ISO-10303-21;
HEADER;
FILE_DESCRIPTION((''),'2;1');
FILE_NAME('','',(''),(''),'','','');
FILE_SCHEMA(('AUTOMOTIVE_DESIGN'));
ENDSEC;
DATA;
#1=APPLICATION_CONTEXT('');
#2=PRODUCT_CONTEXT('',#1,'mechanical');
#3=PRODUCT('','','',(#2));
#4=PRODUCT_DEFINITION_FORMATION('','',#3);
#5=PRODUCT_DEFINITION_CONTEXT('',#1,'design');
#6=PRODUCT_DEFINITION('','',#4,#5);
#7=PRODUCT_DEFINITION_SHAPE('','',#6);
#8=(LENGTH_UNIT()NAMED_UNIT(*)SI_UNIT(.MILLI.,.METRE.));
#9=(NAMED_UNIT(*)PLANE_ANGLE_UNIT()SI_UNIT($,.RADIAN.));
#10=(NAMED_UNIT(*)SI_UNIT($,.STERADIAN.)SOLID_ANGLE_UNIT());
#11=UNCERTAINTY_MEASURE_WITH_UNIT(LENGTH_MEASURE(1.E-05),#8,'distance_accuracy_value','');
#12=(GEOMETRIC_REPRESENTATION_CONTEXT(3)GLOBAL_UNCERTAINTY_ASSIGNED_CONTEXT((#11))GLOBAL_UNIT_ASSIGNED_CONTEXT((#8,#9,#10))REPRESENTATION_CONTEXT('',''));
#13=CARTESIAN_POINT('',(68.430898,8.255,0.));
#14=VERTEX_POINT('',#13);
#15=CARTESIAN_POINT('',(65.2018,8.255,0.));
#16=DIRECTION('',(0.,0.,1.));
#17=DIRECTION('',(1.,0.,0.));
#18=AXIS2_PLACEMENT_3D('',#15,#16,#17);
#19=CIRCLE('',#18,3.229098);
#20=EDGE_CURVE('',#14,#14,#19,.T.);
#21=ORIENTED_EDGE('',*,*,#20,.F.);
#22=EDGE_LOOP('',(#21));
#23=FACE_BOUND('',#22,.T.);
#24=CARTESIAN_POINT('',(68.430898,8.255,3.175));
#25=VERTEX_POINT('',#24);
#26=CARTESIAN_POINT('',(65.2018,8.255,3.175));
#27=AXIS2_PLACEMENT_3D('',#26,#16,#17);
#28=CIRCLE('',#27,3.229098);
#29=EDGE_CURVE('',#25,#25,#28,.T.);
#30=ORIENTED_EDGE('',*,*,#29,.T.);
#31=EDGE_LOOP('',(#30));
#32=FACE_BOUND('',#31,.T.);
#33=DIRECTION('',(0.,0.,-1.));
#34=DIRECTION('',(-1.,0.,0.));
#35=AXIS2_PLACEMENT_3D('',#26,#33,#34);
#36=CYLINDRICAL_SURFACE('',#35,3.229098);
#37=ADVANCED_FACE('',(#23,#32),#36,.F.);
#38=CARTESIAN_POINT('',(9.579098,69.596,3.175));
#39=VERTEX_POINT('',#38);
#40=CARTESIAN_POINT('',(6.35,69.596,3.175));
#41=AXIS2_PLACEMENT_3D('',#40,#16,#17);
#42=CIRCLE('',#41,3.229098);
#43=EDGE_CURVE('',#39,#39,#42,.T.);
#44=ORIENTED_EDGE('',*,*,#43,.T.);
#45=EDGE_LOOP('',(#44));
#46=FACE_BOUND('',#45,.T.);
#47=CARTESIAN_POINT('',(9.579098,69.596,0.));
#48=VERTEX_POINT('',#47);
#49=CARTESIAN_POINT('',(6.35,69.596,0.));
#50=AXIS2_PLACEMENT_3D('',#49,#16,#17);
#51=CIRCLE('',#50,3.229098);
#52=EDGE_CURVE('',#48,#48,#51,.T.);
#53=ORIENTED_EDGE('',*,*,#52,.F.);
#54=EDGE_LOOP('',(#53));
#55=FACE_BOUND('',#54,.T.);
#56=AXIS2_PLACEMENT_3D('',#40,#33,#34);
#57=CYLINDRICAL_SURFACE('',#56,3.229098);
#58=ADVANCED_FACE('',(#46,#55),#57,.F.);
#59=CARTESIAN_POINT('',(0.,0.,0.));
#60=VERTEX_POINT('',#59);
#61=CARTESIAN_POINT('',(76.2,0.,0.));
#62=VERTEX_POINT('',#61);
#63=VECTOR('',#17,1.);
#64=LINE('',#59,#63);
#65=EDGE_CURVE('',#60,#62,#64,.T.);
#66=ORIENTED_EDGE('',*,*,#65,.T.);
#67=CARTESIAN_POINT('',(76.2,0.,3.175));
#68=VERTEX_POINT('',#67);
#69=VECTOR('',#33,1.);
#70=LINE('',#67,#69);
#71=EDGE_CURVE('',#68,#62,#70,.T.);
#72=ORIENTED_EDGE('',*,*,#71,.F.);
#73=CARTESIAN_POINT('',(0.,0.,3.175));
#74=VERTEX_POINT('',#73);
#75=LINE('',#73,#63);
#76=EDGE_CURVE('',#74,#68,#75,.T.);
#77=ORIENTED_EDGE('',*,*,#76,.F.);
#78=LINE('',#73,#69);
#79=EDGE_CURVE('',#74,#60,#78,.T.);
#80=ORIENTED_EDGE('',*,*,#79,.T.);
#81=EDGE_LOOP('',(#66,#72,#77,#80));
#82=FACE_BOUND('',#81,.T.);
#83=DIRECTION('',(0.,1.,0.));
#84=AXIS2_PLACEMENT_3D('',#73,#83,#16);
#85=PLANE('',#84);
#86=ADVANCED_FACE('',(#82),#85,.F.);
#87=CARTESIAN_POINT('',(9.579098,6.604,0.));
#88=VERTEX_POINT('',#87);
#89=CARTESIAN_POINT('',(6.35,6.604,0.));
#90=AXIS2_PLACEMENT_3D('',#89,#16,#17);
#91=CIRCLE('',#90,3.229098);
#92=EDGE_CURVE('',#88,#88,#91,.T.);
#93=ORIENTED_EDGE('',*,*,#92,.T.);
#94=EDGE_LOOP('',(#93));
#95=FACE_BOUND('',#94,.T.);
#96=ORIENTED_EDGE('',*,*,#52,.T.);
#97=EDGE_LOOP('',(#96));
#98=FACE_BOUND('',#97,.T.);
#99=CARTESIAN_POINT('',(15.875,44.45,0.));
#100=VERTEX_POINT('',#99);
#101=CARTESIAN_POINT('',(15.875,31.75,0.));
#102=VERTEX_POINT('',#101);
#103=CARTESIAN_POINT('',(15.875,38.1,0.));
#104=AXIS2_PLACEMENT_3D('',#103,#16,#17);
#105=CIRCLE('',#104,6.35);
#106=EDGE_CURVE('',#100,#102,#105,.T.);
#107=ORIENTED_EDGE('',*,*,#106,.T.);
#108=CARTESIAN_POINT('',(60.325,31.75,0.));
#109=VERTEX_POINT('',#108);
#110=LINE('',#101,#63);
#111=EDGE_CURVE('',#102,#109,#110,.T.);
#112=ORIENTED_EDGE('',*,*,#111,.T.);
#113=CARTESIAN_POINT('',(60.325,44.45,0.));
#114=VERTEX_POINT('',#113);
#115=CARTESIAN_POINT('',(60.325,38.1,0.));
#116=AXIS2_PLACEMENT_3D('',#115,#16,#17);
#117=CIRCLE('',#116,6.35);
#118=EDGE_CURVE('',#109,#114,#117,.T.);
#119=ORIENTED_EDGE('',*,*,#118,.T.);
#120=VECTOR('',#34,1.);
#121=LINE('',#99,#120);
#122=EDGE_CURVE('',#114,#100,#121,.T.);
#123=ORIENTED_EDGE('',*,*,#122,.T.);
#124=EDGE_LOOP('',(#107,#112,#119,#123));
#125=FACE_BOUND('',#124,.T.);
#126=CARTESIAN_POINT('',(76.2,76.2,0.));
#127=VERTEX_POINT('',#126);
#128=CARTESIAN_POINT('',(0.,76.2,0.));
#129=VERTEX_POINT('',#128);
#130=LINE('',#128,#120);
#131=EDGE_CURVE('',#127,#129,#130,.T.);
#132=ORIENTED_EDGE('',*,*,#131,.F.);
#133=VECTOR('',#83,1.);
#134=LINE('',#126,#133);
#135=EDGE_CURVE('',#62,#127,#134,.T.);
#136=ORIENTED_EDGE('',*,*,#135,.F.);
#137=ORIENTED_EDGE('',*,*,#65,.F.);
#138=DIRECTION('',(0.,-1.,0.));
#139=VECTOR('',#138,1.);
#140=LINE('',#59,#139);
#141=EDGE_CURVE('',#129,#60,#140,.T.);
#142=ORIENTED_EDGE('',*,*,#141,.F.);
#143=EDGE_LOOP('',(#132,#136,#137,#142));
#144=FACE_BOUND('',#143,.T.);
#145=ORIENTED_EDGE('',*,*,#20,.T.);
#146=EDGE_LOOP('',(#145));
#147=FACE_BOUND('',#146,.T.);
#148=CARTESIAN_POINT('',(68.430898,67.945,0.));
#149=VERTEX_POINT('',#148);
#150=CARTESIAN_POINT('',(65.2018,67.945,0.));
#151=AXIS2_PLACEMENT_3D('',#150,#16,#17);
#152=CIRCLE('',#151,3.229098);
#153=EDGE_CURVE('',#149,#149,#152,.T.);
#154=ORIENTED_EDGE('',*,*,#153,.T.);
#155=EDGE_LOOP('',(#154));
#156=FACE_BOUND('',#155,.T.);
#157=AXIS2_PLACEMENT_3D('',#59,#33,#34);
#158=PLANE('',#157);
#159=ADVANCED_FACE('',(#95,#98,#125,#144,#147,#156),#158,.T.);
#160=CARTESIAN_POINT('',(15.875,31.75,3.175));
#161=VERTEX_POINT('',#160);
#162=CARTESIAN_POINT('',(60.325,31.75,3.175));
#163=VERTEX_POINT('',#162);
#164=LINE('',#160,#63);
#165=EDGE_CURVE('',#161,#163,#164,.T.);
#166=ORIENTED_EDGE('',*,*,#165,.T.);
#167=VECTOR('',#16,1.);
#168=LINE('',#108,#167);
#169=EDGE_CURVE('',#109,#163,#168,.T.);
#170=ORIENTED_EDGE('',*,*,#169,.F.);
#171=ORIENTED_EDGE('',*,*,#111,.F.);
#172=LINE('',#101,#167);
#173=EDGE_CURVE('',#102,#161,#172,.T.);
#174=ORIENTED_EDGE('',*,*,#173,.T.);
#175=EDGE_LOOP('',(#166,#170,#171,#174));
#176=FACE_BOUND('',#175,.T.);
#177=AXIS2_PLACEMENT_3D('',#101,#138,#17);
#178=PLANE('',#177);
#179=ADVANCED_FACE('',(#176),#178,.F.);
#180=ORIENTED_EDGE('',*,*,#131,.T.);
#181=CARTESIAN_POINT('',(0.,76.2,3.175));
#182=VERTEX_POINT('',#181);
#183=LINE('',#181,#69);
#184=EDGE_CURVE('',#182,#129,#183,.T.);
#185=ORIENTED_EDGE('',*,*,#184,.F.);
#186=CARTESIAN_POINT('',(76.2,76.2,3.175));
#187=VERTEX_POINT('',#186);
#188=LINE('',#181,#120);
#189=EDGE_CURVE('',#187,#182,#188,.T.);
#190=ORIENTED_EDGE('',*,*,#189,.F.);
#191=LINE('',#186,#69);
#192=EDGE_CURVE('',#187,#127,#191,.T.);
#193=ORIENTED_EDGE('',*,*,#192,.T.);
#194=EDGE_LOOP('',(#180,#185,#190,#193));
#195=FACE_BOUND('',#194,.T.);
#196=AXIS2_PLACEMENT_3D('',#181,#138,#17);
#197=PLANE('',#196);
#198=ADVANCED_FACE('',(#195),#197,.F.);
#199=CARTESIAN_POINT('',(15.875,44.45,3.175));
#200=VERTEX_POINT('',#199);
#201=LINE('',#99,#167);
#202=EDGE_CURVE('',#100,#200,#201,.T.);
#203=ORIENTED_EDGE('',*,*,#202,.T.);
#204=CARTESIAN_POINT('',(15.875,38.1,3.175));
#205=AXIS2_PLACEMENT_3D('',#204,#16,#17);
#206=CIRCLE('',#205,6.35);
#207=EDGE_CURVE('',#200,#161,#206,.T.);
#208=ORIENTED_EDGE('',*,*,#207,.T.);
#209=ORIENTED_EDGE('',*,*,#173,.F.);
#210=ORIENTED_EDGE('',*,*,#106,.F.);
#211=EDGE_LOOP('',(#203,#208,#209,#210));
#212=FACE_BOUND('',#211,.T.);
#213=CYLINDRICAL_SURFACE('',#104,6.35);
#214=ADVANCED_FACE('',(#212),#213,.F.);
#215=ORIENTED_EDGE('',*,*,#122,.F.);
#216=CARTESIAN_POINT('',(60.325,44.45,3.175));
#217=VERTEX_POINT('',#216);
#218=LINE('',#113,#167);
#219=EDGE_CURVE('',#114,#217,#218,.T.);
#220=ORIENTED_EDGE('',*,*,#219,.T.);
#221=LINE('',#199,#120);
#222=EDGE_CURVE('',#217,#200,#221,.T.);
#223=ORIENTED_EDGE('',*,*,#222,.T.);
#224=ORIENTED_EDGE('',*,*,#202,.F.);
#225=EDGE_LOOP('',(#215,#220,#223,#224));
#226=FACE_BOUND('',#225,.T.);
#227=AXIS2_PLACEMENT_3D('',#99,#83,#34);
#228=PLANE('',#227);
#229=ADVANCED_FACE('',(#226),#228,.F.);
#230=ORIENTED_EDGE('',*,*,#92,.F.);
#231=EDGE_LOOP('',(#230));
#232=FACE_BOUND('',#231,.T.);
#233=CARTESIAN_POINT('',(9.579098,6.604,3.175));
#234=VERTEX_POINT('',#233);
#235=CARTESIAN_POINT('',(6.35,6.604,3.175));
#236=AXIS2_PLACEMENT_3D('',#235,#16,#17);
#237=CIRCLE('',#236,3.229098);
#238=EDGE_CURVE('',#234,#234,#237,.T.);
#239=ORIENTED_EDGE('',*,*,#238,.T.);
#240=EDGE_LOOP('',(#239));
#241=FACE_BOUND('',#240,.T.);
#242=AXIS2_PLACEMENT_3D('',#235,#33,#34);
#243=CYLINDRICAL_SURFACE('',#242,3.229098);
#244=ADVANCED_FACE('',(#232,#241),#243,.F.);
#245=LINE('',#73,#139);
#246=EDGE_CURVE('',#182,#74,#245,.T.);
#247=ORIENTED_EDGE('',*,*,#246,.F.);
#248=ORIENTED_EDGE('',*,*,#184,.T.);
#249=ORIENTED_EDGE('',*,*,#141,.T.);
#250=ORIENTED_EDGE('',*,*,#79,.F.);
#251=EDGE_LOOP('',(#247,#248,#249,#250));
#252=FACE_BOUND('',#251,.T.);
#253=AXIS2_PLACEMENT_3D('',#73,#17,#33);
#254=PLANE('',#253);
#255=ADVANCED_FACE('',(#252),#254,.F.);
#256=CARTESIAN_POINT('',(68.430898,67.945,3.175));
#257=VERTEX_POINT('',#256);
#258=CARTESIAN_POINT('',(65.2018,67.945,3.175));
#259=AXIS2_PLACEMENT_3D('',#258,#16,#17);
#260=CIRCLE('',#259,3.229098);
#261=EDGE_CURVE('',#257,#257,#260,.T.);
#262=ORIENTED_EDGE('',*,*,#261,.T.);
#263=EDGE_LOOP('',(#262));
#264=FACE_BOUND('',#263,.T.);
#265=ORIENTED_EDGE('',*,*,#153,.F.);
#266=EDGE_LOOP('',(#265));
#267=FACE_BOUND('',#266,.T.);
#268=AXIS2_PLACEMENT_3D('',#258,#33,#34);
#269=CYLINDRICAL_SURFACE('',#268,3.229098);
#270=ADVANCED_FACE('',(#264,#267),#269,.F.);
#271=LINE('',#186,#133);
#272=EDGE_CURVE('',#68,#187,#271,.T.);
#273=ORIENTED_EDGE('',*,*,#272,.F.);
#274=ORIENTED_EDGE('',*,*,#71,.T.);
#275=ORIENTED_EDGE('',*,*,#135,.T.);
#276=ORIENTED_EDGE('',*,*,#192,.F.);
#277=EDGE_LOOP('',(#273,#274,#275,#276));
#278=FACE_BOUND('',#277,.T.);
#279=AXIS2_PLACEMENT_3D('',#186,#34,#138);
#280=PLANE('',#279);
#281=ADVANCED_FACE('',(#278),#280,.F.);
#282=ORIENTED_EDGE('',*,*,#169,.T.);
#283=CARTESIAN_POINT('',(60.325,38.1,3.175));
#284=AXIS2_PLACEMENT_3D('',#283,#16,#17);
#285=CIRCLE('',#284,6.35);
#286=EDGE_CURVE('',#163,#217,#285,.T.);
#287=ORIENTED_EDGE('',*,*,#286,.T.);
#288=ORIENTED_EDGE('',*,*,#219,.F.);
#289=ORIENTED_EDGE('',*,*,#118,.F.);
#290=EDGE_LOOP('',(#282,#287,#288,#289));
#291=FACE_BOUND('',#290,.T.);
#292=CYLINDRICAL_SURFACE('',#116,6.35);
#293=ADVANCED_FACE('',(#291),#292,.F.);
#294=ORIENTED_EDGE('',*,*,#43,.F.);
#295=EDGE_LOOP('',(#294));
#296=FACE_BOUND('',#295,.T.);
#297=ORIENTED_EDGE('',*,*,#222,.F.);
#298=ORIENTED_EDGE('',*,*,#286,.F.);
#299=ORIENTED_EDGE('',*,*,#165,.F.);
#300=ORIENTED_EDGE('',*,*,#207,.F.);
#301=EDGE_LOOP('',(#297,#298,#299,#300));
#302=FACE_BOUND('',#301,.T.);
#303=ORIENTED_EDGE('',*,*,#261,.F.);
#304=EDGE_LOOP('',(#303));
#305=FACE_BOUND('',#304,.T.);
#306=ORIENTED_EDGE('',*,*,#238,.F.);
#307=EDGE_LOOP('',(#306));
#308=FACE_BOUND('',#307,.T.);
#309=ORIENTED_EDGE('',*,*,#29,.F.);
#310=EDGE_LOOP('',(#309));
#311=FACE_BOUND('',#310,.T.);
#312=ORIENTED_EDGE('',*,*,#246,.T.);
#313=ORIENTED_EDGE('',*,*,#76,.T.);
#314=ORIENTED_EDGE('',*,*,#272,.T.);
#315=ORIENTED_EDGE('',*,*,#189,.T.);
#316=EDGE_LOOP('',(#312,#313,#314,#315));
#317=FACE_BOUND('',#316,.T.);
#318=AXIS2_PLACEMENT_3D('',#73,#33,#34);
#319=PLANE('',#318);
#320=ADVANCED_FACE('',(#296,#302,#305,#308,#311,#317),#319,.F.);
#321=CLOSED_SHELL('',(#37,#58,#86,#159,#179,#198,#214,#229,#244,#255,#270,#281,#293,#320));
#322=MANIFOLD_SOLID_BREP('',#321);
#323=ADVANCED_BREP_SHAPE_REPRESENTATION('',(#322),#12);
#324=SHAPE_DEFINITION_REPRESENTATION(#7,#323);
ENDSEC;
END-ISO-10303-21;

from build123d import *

# Parameters (mm, degrees)
SKETCH1_W           = 76.2
SKETCH1_H           = 76.2
SKETCH1_R           = 3.229097739
BOSS_EXTRUDE3_DEPTH = 3.175
CUT_EXTRUDE1_DEPTH  = 3.175


with BuildPart() as part:
    # Sketch1 → Boss-Extrude3 (new body)
    with BuildSketch(Plane.XY):
        with Locations((38.1, 38.1)):
            Rectangle(SKETCH1_W, SKETCH1_H)
        with Locations((6.35, 69.596)):
            Circle(SKETCH1_R, mode=Mode.SUBTRACT)
        with Locations((6.35, 6.604)):
            Circle(SKETCH1_R, mode=Mode.SUBTRACT)
        with Locations((65.2018, 67.945)):
            Circle(SKETCH1_R, mode=Mode.SUBTRACT)
        with Locations((65.2018, 8.255)):
            Circle(SKETCH1_R, mode=Mode.SUBTRACT)
    extrude(amount=BOSS_EXTRUDE3_DEPTH)

    # Sketch2 → Cut-Extrude1 (cut)
    with BuildSketch(Plane.XY.offset(3.175)):
        with BuildLine():
            Line((15.875, 44.45), (60.325, 44.45))
            ThreePointArc((60.325, 44.45), (66.675, 38.1), (60.325, 31.75))
            Line((60.325, 31.75), (15.875, 31.75))
            ThreePointArc((15.875, 31.75), (9.525, 38.1), (15.875, 44.45))
        make_face()
    extrude(amount=-CUT_EXTRUDE1_DEPTH, mode=Mode.SUBTRACT)


solid = part.part
